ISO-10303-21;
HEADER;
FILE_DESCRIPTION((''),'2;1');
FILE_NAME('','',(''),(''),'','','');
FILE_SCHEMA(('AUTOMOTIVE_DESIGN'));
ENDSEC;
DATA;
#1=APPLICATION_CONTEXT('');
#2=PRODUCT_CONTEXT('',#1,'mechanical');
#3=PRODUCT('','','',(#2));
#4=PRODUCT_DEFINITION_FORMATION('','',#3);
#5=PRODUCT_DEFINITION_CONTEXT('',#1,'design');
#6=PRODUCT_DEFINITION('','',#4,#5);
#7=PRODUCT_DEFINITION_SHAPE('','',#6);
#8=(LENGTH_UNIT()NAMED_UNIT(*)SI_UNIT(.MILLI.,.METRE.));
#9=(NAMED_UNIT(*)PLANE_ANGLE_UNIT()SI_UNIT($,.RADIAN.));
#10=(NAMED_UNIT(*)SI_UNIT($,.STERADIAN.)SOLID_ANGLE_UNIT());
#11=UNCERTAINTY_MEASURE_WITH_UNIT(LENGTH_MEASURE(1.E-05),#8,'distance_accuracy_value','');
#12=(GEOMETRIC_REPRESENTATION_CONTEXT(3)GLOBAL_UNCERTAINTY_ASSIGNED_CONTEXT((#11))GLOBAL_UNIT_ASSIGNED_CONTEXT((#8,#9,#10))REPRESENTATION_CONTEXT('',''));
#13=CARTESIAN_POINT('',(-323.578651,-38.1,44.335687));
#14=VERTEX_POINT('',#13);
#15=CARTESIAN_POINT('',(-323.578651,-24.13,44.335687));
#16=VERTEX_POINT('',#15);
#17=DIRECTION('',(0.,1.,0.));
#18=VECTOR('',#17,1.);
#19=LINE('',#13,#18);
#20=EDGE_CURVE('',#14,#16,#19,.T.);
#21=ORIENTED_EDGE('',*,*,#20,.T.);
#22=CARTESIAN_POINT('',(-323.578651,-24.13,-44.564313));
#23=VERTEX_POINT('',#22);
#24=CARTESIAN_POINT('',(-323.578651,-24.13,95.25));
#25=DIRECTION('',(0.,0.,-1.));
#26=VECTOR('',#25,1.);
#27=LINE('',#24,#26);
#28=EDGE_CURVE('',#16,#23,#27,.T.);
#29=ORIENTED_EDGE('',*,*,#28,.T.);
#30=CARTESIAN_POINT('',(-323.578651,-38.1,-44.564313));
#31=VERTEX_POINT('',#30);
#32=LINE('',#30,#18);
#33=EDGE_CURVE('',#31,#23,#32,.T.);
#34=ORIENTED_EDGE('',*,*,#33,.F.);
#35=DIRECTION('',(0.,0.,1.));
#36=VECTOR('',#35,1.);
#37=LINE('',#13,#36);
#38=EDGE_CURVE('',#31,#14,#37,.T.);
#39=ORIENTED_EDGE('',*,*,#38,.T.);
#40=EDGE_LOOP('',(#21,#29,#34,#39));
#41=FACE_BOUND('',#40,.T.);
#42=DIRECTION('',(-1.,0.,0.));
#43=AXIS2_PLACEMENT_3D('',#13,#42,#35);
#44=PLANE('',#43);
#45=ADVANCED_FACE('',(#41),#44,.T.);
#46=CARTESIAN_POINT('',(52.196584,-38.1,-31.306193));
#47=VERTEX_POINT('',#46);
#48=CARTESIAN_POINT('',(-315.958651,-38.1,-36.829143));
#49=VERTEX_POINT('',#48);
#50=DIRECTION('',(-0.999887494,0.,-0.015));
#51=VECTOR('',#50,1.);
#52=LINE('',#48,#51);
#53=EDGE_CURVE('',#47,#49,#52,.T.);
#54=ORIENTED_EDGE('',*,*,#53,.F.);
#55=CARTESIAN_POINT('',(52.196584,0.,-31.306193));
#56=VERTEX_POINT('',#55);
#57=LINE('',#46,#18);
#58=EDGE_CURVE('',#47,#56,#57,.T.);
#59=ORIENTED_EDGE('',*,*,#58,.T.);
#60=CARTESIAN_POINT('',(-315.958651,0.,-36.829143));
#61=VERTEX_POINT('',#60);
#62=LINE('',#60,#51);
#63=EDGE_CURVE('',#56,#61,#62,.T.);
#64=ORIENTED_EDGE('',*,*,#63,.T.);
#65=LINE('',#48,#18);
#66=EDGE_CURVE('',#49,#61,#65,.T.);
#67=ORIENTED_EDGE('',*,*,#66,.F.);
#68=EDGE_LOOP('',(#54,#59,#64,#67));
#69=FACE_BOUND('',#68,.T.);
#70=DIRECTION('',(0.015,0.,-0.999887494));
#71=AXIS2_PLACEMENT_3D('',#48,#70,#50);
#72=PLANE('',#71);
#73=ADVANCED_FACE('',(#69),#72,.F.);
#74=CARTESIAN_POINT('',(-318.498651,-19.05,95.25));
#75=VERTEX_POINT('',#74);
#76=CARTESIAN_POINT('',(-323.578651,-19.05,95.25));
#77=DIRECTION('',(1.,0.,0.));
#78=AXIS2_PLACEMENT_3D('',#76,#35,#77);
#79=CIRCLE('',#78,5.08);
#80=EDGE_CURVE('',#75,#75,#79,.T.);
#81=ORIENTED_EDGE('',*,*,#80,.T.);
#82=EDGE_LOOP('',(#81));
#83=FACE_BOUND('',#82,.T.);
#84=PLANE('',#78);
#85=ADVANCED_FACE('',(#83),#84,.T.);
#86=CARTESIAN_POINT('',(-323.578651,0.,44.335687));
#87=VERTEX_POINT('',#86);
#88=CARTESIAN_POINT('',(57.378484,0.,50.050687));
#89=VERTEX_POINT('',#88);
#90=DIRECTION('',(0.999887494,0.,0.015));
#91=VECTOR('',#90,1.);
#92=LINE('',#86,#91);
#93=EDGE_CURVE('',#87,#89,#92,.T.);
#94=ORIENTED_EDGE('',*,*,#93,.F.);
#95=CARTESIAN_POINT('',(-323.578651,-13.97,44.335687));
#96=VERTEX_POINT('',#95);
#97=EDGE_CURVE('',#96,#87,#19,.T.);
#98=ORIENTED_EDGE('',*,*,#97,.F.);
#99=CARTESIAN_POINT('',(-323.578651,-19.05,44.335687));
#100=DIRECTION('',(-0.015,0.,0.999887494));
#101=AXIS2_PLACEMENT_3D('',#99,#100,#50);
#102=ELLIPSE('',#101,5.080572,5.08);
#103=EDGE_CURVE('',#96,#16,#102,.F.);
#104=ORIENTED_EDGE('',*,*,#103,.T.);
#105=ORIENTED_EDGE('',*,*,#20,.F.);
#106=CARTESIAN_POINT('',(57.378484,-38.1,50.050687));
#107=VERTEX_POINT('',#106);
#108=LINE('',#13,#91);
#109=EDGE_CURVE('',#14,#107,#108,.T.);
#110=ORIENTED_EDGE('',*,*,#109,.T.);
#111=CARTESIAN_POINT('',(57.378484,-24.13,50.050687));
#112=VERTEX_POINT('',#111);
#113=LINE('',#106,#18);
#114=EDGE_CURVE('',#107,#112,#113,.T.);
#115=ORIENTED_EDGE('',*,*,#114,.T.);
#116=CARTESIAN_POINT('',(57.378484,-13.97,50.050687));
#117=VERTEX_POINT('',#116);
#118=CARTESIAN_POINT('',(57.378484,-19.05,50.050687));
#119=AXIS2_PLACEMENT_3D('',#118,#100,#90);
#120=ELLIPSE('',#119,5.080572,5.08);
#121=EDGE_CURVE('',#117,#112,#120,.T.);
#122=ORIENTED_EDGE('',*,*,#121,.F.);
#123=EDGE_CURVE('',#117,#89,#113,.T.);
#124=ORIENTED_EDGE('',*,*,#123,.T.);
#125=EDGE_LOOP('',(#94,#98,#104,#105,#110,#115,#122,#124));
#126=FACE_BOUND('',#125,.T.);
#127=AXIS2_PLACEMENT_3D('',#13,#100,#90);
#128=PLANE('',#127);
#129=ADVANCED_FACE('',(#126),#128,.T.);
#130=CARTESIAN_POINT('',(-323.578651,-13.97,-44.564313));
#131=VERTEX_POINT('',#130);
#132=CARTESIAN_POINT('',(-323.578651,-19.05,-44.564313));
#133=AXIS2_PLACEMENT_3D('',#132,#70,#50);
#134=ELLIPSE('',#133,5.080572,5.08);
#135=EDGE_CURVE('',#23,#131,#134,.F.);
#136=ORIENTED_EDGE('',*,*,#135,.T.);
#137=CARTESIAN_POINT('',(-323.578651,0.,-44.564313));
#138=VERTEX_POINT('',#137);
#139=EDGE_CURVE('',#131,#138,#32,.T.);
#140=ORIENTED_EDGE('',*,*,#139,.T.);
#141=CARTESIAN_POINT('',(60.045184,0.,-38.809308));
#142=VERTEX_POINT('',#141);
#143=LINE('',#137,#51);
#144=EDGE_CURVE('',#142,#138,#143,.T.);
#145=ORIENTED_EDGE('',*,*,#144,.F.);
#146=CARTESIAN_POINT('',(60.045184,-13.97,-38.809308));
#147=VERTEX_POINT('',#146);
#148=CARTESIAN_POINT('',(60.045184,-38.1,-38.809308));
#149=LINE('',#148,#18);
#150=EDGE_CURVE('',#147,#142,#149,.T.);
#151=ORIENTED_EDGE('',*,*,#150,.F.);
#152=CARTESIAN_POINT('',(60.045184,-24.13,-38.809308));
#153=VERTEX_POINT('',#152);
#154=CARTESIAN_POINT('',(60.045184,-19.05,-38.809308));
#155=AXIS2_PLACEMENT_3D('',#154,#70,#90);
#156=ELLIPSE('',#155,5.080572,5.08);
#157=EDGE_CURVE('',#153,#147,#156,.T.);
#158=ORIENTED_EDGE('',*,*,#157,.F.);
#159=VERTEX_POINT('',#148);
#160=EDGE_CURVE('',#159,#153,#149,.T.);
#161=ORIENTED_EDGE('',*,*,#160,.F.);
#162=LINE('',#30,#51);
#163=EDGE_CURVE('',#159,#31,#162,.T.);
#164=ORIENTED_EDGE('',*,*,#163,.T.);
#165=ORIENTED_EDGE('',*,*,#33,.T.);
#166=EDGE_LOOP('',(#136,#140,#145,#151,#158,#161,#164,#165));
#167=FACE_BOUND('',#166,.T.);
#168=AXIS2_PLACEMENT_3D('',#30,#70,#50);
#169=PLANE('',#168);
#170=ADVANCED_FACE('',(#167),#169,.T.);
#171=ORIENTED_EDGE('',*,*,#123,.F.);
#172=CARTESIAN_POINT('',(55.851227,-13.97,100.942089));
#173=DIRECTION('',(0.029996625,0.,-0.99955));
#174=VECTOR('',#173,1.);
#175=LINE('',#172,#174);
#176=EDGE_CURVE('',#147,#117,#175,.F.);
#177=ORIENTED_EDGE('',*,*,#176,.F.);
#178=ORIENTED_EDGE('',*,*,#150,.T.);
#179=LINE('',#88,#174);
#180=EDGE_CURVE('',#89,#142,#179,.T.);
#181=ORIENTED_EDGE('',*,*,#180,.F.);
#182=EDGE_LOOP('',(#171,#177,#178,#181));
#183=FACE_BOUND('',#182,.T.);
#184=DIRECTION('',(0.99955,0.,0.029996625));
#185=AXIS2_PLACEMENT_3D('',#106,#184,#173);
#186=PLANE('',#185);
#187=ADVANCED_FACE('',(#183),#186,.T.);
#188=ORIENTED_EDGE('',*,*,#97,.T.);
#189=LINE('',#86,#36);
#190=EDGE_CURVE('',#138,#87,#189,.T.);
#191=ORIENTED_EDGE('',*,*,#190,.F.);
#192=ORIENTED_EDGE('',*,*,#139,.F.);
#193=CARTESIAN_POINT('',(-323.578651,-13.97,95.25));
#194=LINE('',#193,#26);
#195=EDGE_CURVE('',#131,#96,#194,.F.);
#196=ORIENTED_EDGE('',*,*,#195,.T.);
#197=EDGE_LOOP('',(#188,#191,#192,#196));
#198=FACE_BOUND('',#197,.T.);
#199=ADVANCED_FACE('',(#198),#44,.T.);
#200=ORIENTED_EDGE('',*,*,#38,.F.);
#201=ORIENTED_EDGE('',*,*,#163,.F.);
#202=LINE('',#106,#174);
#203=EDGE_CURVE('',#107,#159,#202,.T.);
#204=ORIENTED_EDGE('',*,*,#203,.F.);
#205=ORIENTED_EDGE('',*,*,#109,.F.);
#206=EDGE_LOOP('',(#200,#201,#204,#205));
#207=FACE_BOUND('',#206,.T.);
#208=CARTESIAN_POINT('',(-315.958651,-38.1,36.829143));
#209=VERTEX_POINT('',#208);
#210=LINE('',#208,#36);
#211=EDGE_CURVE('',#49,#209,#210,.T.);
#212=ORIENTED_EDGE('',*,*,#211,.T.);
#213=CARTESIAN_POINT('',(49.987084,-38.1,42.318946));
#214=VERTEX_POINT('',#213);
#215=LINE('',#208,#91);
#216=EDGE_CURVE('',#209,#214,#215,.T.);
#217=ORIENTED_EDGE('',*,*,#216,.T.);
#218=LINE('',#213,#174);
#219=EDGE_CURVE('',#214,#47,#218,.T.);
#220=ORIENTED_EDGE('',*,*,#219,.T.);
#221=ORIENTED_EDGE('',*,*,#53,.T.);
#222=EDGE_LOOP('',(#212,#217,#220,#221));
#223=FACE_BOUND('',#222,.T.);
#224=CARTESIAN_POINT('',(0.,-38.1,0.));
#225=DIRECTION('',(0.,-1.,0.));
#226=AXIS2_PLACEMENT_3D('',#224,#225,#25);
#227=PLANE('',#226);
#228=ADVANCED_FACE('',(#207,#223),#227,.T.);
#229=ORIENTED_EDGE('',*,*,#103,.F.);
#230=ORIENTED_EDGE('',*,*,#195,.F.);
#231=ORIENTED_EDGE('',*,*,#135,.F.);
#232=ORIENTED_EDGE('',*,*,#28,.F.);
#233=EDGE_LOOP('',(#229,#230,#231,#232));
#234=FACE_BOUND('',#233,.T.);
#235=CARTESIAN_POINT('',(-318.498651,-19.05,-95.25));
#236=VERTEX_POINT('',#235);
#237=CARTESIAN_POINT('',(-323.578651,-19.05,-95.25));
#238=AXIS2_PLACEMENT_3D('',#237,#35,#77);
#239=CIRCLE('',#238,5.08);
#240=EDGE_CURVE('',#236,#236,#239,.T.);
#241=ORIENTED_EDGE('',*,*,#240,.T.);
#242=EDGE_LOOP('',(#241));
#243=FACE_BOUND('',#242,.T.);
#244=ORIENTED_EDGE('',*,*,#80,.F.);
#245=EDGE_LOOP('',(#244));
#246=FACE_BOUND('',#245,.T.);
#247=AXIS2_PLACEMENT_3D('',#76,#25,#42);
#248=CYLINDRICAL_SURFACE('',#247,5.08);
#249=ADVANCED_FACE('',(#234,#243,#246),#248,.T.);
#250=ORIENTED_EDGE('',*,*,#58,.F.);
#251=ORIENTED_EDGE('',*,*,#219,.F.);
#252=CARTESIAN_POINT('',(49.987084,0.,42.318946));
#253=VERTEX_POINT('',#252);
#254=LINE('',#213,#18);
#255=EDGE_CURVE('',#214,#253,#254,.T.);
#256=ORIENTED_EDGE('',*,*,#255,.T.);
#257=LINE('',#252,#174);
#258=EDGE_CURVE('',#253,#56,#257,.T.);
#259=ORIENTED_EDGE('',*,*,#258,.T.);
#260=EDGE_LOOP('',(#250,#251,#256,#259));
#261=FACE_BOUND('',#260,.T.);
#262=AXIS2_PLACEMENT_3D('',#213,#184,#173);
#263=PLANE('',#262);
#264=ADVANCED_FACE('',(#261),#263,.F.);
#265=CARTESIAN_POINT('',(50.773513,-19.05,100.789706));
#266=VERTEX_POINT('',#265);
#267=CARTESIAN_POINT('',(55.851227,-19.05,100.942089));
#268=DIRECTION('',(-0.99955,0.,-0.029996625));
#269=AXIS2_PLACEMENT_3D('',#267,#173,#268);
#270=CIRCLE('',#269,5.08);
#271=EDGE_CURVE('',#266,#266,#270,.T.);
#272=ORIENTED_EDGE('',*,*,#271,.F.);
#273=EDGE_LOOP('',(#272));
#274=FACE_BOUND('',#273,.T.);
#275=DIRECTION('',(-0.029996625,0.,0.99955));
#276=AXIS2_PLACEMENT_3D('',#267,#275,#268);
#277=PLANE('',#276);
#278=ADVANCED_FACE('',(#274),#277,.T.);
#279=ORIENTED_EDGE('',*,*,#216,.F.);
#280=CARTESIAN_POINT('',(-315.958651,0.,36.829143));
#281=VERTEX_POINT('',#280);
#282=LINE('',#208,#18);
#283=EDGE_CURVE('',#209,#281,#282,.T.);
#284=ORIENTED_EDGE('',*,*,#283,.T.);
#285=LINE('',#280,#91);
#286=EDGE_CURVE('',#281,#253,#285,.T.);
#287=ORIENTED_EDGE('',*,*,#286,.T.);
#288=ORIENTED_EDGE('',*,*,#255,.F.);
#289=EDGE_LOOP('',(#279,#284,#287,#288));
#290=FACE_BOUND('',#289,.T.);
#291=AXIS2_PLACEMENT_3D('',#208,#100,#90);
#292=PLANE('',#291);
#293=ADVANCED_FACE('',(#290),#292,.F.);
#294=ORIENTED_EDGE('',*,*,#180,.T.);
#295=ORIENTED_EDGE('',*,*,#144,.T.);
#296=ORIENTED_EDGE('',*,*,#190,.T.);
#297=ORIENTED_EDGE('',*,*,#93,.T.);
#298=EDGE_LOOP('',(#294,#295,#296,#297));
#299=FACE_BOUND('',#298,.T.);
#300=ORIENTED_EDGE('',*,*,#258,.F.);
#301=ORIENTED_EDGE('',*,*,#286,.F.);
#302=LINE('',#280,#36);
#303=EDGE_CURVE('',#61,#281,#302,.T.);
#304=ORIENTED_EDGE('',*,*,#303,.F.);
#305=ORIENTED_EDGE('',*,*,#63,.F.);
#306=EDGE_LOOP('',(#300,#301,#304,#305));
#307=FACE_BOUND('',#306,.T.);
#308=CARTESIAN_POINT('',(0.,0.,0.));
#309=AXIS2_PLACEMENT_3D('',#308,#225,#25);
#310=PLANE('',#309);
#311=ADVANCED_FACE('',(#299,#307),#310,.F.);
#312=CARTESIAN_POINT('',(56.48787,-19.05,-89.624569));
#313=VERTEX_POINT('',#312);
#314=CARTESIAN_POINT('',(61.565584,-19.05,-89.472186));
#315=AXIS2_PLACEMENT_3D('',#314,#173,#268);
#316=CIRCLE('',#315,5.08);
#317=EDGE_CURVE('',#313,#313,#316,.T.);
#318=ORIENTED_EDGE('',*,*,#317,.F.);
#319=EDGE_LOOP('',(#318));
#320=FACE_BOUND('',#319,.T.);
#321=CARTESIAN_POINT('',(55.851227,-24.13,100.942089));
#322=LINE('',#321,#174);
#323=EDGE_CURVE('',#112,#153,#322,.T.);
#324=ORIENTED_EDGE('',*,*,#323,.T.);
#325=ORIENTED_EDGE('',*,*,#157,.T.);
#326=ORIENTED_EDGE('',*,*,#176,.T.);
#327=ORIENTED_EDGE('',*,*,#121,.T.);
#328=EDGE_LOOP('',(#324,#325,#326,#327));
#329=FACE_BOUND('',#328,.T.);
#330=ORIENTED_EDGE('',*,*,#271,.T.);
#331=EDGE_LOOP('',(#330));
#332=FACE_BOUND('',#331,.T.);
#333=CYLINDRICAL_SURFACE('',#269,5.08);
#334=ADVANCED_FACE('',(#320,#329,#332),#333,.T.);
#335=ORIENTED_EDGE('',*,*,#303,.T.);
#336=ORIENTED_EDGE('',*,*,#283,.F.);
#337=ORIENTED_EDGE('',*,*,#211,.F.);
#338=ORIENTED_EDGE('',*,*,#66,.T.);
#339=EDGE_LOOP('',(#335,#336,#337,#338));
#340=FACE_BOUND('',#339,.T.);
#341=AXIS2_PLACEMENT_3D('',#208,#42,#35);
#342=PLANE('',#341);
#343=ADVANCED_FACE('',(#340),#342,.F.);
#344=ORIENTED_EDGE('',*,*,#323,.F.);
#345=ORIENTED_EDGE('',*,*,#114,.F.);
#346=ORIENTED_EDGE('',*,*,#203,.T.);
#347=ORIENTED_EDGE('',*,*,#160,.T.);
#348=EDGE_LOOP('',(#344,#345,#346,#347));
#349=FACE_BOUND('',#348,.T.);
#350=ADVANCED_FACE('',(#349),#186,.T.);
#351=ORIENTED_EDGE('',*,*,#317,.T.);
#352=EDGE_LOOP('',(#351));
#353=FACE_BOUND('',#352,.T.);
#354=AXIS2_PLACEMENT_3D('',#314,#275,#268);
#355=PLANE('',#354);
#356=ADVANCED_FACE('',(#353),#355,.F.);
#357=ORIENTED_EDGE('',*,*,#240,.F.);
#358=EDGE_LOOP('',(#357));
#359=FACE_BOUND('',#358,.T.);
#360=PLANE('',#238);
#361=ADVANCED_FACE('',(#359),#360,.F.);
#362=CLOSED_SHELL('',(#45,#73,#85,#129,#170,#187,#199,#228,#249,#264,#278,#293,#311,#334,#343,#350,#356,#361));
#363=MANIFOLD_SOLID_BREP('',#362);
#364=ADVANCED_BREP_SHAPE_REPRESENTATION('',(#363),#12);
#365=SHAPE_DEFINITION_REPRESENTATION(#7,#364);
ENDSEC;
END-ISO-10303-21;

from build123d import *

# Parameters (mm, degrees)
BOSS_EXTRUDE1_DEPTH = 38.1
SKETCH2_R           = 5.08
BOSS_EXTRUDE2_DEPTH = 95.25


with BuildPart() as part:
    # Sketch1 → Boss-Extrude1 (new body)
    with BuildSketch(Plane(origin=(0, 0, 0), x_dir=(1, 0, 0), z_dir=(0, 1, 0))):
        Polygon((-323.578651022, -44.335687139), (57.378484067, -50.050687139), (60.045184013, 38.809307861), (-323.578651022, 44.564312861), align=None)
        Polygon((-315.958651022, -36.829142605), (49.987084067, -42.318946269), (52.196584013, 31.306192713), (-315.958651022, 36.829142605), align=None, mode=Mode.SUBTRACT)
    extrude(amount=-BOSS_EXTRUDE1_DEPTH)

    # Sketch2 → Boss-Extrude2 (add, symmetric)
    with BuildSketch(Plane.XY):
        with Locations((-323.578651022, -19.05)):
            Circle(SKETCH2_R)
    boss_extrude2 = extrude(amount=BOSS_EXTRUDE2_DEPTH, both=True)

    # Mirror1: Boss-Extrude2 across plane
    add(boss_extrude2.mirror(Plane(origin=(-132.362317794, 0, -1.985658166), x_dir=(-0.015, 0, 0.999887494), z_dir=(0.999887494, 0, 0.015))))


solid = part.part
